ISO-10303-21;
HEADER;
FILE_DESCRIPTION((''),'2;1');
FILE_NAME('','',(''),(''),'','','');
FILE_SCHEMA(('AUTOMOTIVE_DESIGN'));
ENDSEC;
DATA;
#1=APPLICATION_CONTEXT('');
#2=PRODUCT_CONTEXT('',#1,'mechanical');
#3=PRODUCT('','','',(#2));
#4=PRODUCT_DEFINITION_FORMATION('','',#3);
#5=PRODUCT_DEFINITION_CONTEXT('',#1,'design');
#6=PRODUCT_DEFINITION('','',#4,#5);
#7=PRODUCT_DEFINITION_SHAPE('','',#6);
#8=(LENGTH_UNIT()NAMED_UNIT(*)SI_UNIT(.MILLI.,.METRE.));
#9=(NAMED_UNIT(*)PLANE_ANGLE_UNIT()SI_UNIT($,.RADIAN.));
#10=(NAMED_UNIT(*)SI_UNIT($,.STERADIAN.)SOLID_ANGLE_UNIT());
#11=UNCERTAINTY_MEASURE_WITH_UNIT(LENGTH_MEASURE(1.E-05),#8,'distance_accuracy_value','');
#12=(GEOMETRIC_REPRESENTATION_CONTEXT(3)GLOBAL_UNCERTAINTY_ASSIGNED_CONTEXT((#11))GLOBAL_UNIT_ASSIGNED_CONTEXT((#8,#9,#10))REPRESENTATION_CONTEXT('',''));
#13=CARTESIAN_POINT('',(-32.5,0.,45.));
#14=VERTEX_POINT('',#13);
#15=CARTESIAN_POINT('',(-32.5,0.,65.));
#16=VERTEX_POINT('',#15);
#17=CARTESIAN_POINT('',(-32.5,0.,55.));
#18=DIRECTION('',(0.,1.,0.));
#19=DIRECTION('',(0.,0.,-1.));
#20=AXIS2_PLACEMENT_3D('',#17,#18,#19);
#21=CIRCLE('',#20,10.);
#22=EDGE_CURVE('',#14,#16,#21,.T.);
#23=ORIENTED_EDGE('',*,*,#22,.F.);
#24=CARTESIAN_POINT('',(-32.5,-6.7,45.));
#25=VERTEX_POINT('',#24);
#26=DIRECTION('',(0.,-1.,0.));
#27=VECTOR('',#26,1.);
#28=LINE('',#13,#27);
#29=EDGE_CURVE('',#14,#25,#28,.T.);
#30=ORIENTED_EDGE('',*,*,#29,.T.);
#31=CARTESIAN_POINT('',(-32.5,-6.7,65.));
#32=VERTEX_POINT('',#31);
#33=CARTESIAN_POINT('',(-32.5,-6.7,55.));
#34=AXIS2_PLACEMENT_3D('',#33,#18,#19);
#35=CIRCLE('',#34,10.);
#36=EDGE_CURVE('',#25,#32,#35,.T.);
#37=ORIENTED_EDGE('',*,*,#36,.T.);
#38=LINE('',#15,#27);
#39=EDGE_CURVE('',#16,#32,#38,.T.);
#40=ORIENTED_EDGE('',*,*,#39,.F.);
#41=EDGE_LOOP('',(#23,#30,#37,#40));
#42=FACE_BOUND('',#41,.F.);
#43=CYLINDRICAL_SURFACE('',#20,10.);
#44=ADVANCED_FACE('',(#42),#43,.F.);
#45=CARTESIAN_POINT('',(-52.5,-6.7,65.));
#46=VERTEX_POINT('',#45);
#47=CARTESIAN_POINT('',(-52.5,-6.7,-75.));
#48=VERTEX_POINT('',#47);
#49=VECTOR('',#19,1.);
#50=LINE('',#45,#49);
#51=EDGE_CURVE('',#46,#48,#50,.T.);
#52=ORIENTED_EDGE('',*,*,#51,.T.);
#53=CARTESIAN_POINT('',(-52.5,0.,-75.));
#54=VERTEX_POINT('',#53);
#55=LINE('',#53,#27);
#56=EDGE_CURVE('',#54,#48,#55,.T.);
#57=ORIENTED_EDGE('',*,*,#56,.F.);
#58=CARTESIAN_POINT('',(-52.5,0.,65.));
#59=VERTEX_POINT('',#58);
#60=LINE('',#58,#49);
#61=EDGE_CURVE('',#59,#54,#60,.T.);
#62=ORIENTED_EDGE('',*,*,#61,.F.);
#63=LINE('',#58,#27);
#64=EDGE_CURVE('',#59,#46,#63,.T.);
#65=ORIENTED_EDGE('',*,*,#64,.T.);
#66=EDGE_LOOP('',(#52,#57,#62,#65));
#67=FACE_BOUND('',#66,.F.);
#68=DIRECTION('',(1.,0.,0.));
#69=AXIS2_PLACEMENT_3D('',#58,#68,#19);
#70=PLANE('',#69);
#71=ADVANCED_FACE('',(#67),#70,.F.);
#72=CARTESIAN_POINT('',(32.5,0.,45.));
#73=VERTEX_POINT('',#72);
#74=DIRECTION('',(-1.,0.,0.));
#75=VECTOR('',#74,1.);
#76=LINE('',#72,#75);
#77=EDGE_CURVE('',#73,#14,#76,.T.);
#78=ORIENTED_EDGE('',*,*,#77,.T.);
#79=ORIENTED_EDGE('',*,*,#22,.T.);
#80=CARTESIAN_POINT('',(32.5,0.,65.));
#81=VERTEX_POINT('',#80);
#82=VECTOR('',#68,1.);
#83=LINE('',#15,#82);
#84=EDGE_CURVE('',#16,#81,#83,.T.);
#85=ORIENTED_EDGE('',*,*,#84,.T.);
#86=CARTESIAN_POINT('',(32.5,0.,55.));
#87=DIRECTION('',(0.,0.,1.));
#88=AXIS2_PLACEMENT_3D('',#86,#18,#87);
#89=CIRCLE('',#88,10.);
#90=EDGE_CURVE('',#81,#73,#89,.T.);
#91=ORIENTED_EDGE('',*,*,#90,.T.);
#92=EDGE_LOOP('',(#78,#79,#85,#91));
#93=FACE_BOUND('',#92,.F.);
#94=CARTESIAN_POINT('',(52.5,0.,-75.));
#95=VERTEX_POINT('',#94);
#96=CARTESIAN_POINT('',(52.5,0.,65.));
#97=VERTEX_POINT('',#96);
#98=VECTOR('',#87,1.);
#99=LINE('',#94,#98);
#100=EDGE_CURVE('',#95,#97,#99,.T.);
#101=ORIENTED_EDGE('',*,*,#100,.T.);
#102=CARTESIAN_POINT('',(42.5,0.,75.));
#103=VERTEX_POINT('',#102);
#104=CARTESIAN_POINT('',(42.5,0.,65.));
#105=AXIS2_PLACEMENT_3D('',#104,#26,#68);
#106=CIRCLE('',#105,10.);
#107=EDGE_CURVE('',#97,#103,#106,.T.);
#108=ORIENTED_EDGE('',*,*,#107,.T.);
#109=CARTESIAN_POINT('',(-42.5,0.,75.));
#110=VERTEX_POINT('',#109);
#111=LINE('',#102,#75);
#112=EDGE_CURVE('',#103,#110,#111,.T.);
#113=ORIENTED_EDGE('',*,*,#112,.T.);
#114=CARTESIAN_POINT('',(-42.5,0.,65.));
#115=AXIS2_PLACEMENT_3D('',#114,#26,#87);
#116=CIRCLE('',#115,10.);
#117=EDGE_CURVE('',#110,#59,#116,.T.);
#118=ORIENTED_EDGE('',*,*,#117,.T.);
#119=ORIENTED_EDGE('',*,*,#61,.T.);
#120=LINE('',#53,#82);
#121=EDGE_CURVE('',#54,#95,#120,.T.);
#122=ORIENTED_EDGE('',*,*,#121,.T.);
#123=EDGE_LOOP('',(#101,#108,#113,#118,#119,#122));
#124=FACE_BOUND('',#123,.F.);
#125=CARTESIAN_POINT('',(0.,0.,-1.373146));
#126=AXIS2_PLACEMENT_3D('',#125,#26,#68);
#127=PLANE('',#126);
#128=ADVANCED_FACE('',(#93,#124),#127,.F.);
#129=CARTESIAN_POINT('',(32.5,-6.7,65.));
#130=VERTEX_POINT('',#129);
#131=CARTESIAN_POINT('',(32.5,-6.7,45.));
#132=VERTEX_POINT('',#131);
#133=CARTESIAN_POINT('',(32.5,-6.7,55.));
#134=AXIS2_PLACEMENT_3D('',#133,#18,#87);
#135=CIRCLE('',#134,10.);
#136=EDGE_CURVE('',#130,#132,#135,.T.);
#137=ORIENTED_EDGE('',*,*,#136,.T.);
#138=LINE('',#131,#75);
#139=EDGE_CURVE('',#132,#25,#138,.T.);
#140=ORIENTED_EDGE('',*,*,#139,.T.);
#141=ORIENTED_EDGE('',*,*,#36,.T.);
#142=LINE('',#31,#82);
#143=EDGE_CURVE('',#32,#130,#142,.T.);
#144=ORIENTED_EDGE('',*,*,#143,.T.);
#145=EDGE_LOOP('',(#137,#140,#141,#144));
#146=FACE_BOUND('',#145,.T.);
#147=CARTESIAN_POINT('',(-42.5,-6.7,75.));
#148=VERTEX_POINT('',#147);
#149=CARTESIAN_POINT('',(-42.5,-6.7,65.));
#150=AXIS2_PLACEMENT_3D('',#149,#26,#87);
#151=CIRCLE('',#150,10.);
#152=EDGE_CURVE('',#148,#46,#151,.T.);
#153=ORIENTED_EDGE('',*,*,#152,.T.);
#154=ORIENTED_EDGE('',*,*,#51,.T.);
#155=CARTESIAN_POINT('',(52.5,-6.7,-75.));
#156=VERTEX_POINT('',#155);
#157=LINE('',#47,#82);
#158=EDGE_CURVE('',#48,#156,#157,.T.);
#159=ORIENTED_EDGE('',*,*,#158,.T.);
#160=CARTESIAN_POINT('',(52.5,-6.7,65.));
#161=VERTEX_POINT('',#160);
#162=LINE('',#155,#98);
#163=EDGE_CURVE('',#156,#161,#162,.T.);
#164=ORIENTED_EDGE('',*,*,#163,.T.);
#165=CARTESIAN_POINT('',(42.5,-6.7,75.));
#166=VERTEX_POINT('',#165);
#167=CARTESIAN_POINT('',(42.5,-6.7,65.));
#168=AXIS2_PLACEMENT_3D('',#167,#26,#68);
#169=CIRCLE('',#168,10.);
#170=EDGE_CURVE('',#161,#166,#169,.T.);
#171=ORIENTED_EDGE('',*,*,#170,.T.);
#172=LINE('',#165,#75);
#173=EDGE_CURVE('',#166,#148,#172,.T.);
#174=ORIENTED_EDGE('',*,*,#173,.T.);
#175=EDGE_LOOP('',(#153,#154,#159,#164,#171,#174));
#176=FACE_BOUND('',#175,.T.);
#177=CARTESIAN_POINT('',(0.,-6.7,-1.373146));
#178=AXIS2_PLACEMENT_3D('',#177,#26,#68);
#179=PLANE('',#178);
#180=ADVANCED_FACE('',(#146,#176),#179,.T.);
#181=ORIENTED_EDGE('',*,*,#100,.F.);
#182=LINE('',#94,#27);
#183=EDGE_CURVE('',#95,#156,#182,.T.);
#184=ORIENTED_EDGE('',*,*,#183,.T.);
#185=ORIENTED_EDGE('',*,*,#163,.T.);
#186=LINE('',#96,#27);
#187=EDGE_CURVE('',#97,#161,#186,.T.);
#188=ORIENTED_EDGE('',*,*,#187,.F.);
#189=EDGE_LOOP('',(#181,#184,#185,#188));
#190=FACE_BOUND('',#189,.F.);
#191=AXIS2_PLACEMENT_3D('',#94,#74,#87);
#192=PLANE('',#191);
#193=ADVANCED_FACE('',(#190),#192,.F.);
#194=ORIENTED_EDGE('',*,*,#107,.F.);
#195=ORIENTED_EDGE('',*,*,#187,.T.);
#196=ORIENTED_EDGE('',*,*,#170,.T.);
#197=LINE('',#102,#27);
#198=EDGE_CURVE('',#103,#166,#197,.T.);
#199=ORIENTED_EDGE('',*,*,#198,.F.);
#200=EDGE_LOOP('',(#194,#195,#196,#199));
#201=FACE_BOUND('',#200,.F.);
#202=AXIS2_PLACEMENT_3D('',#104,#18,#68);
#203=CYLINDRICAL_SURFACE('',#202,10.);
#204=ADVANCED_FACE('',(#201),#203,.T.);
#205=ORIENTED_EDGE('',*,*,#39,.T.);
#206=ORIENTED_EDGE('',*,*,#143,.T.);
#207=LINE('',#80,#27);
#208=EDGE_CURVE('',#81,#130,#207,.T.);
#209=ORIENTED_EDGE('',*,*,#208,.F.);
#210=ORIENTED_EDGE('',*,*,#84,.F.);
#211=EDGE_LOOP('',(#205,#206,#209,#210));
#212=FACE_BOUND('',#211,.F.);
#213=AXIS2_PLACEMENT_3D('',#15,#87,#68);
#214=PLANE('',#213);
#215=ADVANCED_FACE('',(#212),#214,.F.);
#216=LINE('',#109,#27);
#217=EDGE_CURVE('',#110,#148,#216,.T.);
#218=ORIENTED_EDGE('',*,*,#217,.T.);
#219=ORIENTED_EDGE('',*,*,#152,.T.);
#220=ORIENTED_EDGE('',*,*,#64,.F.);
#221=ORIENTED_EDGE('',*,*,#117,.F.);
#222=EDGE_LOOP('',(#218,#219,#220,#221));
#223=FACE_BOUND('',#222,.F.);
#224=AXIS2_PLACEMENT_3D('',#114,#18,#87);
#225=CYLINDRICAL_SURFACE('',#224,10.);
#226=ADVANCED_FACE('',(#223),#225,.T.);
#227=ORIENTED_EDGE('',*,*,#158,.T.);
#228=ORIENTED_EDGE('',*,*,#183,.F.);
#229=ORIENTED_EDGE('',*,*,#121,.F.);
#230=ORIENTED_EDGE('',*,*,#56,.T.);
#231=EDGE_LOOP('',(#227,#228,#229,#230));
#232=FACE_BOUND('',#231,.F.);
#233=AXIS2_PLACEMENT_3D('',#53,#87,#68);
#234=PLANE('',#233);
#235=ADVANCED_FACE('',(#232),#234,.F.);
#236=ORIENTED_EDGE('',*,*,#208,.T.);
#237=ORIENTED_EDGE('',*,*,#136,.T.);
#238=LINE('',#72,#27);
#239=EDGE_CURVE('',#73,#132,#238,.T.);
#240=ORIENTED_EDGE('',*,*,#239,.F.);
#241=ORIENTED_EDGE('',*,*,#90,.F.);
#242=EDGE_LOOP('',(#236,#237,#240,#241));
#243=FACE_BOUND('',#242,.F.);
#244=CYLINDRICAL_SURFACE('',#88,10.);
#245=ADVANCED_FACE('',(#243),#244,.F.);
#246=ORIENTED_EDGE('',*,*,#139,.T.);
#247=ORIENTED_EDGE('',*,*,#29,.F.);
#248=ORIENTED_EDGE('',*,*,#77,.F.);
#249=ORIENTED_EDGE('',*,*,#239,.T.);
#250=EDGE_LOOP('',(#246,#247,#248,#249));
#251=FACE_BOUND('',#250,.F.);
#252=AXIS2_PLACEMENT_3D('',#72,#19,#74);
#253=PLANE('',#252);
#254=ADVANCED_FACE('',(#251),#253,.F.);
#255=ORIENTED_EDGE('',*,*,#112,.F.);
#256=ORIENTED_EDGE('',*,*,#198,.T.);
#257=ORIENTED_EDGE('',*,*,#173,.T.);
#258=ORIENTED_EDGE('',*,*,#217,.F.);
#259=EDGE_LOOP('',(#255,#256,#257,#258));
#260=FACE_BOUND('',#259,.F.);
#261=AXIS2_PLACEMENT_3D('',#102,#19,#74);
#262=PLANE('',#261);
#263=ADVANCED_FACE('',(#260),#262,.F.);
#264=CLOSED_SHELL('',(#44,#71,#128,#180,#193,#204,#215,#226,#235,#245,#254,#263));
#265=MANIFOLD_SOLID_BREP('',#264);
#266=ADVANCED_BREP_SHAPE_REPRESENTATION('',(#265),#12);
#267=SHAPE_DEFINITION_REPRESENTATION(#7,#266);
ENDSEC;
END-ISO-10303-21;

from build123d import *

# Parameters (mm, degrees)
F2_DEPTH = 6.7


with BuildPart() as f2:
    # F1 (on Front) → F2 (new body)
    with BuildSketch(Plane.XZ):
        with BuildLine():
            ThreePointArc((52.5, 65), (49.5710678119, 72.0710678119), (42.5, 75))
            Line((42.5, 75), (-42.5, 75))
            ThreePointArc((-42.5, 75), (-49.5710678119, 72.0710678119), (-52.5, 65))
            Line((-52.5, 65), (-52.5, -75))
            Line((-52.5, -75), (52.5, -75))
            Line((52.5, -75), (52.5, 65))
        make_face()
        with BuildLine():
            Line((32.5, 45), (-32.5, 45))
            ThreePointArc((-32.5, 45), (-42.5, 55), (-32.5, 65))
            Line((-32.5, 65), (32.5, 65))
            ThreePointArc((32.5, 65), (42.5, 55), (32.5, 45))
        make_face(mode=Mode.SUBTRACT)
    extrude(amount=F2_DEPTH)


solid = f2.part
